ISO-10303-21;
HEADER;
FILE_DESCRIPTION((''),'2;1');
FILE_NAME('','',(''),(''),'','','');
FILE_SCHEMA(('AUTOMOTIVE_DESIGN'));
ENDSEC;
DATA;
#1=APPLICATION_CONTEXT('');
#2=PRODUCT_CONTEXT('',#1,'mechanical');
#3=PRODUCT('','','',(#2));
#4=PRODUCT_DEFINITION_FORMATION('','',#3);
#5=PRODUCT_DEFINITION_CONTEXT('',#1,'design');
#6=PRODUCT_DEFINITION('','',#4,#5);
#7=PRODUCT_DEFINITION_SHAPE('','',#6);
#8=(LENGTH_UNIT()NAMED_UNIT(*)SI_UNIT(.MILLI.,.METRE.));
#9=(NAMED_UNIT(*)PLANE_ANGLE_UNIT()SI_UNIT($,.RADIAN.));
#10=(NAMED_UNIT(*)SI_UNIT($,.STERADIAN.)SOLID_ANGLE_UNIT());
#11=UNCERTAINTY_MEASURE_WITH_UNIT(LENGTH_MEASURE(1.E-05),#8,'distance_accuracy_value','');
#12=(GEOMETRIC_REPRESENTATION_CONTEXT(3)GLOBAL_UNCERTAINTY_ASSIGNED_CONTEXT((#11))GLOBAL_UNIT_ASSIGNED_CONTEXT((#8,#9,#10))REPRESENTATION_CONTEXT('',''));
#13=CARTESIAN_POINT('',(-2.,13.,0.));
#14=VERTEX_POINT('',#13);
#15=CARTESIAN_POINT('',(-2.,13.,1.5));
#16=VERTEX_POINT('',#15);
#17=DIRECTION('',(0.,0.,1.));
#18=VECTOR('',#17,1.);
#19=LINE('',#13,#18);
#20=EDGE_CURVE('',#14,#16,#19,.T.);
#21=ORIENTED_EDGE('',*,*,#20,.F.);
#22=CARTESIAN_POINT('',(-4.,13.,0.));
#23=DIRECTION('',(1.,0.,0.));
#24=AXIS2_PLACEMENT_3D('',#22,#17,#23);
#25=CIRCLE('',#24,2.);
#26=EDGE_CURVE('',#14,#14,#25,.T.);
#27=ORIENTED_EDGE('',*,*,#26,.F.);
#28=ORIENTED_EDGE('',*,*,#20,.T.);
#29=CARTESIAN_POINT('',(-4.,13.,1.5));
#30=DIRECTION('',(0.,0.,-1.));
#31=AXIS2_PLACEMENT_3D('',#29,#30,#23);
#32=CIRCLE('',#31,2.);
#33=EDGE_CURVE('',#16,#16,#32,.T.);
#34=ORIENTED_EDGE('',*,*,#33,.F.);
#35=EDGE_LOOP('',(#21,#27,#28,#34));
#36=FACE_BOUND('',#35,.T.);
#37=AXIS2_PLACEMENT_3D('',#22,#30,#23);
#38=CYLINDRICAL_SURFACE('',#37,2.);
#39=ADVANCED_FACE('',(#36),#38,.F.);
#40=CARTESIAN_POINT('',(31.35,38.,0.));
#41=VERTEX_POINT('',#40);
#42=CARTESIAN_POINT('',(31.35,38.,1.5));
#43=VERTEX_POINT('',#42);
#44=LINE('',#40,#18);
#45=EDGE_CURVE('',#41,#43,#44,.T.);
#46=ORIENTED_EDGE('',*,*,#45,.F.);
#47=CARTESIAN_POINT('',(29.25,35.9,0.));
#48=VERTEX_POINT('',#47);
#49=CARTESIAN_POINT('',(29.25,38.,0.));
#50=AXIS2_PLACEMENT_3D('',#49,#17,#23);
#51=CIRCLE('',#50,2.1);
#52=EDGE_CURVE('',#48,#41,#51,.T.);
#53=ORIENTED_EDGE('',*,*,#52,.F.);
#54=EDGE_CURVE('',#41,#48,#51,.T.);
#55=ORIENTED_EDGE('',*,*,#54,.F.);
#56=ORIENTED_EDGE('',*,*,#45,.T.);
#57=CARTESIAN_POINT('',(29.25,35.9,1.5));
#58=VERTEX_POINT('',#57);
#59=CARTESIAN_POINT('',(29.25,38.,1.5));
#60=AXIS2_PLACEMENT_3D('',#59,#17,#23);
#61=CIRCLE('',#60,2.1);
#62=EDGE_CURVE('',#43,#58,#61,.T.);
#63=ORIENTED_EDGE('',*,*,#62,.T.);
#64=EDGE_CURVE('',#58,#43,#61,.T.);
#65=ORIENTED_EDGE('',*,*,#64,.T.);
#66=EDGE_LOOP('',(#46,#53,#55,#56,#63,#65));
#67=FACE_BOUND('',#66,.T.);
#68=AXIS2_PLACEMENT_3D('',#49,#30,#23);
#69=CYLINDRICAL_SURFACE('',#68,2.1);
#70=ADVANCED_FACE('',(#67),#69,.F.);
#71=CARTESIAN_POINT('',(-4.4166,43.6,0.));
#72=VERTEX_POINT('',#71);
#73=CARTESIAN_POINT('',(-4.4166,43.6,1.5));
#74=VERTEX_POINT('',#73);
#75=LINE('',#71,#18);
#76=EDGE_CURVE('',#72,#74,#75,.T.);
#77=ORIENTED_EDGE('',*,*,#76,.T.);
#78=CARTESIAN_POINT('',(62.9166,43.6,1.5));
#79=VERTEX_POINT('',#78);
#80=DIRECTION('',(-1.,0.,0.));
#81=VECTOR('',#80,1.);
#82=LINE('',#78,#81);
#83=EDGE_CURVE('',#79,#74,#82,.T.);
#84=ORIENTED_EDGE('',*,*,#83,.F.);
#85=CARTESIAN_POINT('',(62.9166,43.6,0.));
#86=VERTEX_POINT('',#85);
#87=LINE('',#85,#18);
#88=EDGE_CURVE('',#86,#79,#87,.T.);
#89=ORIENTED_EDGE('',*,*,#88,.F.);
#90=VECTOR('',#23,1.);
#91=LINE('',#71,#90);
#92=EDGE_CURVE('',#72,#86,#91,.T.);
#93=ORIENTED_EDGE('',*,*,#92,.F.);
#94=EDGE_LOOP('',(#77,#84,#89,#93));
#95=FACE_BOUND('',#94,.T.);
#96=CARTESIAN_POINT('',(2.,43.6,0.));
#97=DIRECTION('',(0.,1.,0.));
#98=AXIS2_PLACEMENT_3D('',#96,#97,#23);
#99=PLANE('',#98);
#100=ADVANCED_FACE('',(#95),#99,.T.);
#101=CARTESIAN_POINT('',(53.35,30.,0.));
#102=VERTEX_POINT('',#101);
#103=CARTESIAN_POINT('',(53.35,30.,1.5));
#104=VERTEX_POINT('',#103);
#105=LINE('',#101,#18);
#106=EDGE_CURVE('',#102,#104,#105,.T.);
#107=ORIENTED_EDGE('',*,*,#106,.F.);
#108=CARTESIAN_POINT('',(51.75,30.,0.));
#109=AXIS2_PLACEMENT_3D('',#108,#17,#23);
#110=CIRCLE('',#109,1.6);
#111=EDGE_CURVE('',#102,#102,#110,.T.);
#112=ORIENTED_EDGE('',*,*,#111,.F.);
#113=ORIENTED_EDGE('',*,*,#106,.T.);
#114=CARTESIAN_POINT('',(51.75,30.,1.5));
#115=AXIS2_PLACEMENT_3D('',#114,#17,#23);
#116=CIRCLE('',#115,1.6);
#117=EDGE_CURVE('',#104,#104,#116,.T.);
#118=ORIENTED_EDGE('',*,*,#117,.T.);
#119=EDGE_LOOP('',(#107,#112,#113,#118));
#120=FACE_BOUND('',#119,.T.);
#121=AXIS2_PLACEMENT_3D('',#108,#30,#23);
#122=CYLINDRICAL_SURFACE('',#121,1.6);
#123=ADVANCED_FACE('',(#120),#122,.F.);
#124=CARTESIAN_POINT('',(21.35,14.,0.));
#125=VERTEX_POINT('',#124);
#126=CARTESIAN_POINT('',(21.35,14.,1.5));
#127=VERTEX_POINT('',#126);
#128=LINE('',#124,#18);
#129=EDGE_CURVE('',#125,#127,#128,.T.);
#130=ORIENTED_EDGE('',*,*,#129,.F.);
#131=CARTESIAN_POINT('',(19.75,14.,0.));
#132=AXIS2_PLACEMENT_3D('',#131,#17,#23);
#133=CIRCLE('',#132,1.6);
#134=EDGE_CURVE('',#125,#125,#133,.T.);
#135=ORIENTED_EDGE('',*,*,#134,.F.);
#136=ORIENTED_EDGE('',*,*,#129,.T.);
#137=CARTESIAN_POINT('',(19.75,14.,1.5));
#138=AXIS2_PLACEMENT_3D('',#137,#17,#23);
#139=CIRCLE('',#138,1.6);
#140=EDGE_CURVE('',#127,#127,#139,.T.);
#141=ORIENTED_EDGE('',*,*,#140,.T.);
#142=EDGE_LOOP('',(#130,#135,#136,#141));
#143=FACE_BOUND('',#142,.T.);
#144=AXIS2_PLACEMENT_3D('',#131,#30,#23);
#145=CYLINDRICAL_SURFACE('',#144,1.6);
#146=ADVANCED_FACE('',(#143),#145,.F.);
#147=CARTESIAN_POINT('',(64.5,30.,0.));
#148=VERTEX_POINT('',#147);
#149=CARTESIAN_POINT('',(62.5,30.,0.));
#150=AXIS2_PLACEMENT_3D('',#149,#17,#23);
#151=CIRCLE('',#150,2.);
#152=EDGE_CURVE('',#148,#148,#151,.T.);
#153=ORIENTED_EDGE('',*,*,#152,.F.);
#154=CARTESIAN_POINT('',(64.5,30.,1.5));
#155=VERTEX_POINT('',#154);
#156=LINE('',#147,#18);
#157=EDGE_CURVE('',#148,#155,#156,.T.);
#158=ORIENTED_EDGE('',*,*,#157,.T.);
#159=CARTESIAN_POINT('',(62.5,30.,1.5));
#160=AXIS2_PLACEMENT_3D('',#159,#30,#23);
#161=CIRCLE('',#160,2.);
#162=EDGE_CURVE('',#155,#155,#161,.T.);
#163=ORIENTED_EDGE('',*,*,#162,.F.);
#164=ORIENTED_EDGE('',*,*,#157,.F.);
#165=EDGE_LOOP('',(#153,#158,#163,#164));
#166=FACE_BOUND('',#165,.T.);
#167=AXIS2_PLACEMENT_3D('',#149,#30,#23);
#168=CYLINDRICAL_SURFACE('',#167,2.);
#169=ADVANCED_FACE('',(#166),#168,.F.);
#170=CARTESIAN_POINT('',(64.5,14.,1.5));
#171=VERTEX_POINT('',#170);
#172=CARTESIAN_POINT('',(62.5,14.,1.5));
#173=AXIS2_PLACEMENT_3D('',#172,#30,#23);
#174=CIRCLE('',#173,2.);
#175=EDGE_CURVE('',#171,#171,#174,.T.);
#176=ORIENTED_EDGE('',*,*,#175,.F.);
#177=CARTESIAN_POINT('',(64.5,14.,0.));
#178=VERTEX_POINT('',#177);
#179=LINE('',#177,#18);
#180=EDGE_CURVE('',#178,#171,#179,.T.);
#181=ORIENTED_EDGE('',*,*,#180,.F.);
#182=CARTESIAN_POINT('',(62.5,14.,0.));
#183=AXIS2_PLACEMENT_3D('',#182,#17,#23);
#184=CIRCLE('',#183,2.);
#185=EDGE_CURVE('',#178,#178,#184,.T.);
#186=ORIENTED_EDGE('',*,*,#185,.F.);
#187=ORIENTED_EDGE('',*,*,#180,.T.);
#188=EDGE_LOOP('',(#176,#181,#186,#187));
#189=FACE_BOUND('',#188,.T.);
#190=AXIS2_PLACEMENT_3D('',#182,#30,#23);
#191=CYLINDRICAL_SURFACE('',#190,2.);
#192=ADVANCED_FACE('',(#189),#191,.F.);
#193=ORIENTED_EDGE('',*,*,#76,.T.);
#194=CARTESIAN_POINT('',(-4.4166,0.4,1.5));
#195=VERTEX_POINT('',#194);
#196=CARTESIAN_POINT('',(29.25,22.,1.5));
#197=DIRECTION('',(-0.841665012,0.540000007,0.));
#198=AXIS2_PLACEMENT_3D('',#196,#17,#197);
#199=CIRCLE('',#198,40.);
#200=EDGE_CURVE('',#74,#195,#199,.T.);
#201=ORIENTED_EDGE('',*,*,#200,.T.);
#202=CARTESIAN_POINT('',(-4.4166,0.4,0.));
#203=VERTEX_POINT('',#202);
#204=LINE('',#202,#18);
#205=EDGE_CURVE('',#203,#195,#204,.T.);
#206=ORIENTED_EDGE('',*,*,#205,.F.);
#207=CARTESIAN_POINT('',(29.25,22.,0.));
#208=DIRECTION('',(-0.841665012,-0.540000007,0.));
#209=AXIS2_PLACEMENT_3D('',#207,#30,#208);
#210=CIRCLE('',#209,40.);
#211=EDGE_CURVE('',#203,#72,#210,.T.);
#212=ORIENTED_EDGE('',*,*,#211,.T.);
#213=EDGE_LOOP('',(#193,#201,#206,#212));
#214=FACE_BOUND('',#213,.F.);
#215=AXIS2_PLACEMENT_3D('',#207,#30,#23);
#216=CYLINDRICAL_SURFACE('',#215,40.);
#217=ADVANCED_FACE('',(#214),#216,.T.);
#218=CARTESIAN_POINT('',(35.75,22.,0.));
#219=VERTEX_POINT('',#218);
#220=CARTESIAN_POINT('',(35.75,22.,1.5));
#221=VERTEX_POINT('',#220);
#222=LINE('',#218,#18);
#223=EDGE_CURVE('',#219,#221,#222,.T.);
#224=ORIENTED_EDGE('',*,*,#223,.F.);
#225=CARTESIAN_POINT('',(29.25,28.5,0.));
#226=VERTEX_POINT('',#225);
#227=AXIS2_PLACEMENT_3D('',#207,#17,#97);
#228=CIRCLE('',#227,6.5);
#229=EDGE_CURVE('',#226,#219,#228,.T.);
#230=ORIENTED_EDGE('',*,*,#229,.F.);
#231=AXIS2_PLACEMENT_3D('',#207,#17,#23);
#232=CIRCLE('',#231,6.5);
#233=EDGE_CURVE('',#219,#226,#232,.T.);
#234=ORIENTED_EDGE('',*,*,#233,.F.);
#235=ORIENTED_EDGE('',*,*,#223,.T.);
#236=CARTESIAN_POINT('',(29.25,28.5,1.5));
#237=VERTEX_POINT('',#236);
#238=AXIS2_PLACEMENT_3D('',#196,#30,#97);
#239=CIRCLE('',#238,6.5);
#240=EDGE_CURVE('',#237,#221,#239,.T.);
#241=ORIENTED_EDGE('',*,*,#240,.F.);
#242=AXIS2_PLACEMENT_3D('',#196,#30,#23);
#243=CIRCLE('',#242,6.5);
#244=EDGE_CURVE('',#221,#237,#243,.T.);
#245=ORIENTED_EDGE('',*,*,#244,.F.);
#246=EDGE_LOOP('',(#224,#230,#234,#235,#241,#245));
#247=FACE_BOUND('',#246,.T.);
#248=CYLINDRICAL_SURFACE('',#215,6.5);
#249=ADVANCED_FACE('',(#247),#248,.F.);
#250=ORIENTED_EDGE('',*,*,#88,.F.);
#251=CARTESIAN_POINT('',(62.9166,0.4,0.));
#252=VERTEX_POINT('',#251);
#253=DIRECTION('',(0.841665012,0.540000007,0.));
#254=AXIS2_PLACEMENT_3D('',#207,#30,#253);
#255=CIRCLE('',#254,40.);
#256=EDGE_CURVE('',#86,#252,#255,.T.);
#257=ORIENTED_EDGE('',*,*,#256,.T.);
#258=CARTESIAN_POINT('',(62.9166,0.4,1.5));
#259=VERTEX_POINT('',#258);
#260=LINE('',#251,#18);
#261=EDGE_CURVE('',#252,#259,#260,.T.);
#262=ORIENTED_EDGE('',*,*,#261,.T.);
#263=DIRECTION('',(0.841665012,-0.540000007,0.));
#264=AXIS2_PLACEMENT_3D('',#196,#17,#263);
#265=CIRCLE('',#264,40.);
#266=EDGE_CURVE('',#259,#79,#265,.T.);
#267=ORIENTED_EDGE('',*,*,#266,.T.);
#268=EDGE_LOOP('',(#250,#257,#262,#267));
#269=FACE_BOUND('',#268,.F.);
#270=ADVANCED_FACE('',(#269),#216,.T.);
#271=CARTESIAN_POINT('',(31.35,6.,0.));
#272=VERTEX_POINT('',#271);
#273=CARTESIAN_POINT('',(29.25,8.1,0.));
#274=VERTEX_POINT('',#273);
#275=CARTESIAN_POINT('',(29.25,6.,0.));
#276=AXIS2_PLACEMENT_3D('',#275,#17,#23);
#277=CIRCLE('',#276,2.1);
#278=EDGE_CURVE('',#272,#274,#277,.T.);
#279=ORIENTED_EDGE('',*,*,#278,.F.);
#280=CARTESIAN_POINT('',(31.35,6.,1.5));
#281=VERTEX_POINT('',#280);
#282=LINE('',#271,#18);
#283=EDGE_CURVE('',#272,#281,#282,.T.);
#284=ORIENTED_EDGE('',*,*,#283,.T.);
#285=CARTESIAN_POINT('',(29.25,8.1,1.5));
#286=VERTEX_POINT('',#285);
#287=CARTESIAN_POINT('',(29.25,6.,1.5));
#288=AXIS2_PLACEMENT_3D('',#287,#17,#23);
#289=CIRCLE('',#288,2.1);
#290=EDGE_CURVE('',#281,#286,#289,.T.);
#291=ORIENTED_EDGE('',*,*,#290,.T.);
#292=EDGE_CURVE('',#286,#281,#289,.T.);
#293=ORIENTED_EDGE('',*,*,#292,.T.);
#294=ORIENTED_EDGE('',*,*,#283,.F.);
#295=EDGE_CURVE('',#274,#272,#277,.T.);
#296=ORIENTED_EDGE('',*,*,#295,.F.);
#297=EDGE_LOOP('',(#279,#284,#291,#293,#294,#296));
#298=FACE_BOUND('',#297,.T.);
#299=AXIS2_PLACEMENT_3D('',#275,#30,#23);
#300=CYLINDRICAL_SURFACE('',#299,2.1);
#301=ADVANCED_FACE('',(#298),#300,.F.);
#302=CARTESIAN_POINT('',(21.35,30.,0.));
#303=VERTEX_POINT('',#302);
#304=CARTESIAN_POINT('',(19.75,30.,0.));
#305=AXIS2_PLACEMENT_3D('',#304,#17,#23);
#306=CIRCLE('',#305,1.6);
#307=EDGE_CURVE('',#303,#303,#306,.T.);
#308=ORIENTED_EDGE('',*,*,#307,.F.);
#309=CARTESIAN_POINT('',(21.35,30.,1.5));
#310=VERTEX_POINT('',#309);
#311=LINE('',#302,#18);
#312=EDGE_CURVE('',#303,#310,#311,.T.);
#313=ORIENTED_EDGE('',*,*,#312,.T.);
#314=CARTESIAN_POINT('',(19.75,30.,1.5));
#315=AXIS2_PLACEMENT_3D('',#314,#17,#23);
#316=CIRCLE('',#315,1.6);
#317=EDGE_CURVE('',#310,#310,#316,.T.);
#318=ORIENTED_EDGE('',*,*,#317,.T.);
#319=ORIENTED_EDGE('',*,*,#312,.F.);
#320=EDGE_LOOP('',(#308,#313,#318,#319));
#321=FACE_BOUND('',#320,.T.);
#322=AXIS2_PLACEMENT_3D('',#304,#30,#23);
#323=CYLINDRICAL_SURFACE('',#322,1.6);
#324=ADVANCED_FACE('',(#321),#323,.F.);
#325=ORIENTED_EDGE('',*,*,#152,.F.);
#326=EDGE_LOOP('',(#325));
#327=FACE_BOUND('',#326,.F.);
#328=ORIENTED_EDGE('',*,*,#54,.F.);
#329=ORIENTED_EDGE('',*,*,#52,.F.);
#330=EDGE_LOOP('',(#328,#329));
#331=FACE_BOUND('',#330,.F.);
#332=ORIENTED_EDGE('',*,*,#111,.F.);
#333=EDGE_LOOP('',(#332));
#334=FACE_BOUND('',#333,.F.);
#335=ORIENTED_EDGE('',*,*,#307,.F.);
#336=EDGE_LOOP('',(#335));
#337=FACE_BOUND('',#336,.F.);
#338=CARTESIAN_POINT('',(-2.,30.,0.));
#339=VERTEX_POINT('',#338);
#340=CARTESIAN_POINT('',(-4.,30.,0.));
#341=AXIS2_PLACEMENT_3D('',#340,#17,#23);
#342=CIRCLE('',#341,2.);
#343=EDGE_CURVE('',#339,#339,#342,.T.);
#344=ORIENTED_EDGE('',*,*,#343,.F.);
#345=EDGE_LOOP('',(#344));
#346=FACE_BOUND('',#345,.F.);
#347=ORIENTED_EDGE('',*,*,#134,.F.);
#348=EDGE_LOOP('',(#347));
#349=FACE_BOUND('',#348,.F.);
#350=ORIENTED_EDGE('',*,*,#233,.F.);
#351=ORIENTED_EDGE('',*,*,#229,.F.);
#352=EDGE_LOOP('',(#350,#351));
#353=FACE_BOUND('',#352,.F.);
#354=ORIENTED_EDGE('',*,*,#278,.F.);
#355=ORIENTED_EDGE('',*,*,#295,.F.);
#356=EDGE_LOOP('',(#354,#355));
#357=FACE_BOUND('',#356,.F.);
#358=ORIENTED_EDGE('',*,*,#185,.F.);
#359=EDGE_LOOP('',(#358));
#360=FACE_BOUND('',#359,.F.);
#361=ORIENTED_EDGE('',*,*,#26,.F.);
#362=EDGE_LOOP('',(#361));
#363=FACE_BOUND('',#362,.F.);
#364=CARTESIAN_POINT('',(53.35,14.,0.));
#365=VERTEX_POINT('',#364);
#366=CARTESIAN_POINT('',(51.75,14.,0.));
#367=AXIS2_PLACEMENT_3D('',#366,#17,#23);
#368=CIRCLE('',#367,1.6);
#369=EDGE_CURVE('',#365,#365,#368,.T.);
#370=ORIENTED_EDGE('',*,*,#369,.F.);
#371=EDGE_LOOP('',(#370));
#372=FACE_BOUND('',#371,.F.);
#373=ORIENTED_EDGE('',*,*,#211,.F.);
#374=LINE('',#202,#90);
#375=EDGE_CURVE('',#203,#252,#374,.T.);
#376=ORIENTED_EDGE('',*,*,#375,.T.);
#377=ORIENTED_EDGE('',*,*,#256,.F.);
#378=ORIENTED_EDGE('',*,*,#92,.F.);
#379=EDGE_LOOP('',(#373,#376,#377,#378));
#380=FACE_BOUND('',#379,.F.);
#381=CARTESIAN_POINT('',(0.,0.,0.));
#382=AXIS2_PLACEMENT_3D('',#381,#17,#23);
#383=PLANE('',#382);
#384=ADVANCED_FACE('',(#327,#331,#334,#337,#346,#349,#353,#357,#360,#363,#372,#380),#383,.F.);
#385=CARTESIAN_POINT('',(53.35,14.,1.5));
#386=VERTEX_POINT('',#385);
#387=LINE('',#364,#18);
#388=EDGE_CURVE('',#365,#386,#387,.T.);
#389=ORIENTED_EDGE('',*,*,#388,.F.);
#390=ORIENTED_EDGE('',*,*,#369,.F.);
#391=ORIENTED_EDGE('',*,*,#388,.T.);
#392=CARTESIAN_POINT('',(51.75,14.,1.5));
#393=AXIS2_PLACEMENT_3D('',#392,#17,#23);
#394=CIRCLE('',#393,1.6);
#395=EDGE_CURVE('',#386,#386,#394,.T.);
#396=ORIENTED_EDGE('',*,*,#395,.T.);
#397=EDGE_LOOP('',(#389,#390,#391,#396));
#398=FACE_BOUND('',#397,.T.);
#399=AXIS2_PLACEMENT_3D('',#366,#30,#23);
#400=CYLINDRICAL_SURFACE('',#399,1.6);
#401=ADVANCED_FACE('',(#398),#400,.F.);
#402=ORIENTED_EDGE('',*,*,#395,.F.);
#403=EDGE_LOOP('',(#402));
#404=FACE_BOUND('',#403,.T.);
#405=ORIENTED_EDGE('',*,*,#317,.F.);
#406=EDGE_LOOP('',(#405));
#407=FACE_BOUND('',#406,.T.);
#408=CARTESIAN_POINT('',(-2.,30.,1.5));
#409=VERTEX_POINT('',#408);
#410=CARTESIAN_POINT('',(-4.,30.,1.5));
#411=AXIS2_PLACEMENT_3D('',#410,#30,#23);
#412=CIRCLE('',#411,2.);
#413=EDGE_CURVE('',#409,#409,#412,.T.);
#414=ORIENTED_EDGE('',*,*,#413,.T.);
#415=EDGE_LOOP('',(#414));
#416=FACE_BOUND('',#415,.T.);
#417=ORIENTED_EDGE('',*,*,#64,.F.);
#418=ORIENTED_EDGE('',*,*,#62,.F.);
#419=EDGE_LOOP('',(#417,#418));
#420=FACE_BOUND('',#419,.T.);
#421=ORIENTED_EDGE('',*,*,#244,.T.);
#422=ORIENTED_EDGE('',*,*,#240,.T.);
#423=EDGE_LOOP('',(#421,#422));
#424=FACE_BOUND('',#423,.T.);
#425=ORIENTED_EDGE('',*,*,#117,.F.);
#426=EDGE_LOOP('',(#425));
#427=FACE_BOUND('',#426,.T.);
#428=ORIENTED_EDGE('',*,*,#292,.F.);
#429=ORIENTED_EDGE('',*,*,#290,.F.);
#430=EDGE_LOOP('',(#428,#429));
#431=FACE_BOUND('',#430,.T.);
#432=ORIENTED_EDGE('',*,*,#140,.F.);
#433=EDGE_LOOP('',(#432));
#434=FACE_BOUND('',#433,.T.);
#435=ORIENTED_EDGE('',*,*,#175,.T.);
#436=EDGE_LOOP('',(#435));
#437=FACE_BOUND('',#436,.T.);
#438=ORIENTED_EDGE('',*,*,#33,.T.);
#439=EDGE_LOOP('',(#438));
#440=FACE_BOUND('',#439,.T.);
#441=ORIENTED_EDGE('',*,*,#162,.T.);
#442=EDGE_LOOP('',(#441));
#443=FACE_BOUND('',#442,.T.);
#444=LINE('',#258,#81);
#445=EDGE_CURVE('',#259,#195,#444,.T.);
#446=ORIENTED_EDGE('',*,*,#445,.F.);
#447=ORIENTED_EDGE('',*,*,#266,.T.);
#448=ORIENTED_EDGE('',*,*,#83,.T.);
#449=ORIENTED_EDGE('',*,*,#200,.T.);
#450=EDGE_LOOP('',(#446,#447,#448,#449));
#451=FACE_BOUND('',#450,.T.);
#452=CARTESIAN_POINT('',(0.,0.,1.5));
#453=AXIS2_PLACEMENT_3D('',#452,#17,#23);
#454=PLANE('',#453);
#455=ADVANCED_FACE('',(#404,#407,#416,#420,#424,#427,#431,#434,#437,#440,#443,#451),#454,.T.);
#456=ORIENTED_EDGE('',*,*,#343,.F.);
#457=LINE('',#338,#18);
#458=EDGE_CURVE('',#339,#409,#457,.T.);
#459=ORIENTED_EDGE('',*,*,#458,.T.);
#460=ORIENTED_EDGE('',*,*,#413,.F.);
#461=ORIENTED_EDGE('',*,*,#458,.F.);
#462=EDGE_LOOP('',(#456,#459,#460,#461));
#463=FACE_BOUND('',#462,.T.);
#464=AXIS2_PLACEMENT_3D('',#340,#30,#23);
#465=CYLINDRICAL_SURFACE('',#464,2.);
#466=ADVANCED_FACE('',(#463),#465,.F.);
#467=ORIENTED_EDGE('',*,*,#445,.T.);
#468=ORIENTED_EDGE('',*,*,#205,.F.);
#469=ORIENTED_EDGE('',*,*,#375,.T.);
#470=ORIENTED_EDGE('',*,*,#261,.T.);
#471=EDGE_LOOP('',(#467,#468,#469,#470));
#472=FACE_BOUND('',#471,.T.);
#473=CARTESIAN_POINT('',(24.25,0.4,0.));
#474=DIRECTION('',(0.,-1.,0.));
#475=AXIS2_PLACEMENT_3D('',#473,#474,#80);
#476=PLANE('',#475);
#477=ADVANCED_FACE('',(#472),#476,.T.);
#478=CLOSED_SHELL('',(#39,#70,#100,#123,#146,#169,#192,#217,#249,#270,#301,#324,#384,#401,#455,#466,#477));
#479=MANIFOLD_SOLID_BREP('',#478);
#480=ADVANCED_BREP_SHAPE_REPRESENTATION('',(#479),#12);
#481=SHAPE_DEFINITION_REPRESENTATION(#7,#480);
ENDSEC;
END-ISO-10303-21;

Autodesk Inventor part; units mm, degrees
ref_plane "YZ Plane" through (0, 0, 0) normal (1, 0, 0) x (0, 1, 0)
ref_plane "XZ Plane" through (0, 0, 0) normal (0, 1, 0) x (-1, 0, 0)
ref_plane "XY Plane" through (0, 0, 0) normal (0, 0, 1) x (1, 0, 0)
sketch "スケッチ1" plane through (0, 0, 0) normal (0, 0, 1) x (1, 0, 0)
  line L0 (24.05, 13.6) -> (24.05, 0.4) projected
  line L1 (24.05, 13.6) -> (37.25, 13.6) projected
  line L2 (37.25, 13.6) -> (37.25, 0.4) projected
  line L3 (56.5, 0.4) -> (37.25, 0.4) projected
  line L4 (56.5, 43.6) -> (56.5, 0.4) projected
  line L5 (2, 43.6) -> (56.5, 43.6) projected
  line L6 (2, 43.6) -> (2, 0.4) projected
  line L7 (24.05, 0.4) -> (2, 0.4) projected
  circle A0 centre (19.75, 30) radius 1.35 projected
  circle A1 centre (51.75, 14) radius 1.35 projected
  circle A2 centre (51.75, 30) radius 1.35 projected
  circle A3 centre (19.75, 14) radius 1.35 projected
  line L8 (2, 43.6) -> (56.5, 43.6)
  line L9 (56.5, 43.6) -> (56.5, 0.4)
  line L10 (56.5, 0.4) -> (2, 0.4)
  line L11 (2, 0.4) -> (2, 43.6)
  circle A4 centre (19.75, 14) radius 1.6
  circle A5 centre (19.75, 30) radius 1.6
  circle A6 centre (51.75, 30) radius 1.6
  circle A7 centre (51.75, 14) radius 1.6
  line L12 (-3.8486, -27.4677) -> (-13.8486, -27.4561) projected
  line L13 (34.25, -27.4677) -> (34.25, 112.5)
  line L14 (24.25, -27.4561) -> (24.25, 112.5)
  line L15 (24.25, 22) -> (34.25, 22)
  circle A8 centre (29.25, 22) radius 6.5
  circle A9 centre (29.25, 22) radius 40
  line L16 (2, 22) -> (-10.75, 22)
  line L17 (56.5, 22) -> (69.25, 22)
  line L18 (2, 22) -> (-4, 22)
  line L19 (-4, 22) -> (-4, 13)
  line L20 (-4, 13) -> (2, 13)
  line L21 (2, 13) -> (2, 22)
  line L22 (2, 22) -> (-4, 22)
  line L23 (-4, 22) -> (-4, 30)
  line L24 (-4, 30) -> (2, 30)
  line L25 (2, 30) -> (2, 22)
  line L26 (56.5, 22) -> (62.5, 22)
  line L27 (62.5, 22) -> (62.5, 14)
  line L28 (62.5, 14) -> (56.5, 14)
  line L29 (56.5, 14) -> (56.5, 22)
  line L30 (56.5, 22) -> (62.5, 22)
  line L31 (62.5, 22) -> (62.5, 30)
  line L32 (62.5, 30) -> (56.5, 30)
  line L33 (56.5, 30) -> (56.5, 22)
  circle A10 centre (-4, 13) radius 2
  circle A11 centre (-4, 30) radius 2
  circle A12 centre (62.5, 30) radius 2
  circle A13 centre (62.5, 14) radius 2
  line L34 (2, 43.6) -> (-4.4166, 43.6)
  line L35 (56.5, 43.6) -> (62.9166, 43.6)
  line L36 (2, 0.4) -> (-4.4166, 0.4)
  line L37 (56.5, 0.4) -> (62.9166, 0.4)
  line L38 (29.25, 22) -> (29.25, 38)
  line L39 (29.25, 22) -> (45.25, 22) construction
  line L40 (29.25, 22) -> (29.25, 6)
  line L41 (29.25, 22) -> (45.25, 22) construction
  circle A14 centre (29.25, 38) radius 2.1
  circle A15 centre (29.25, 6) radius 2.1
  point P0 (0, 0)
  point P1 (34.25, 112.5)
  point P2 (24.25, 112.5)
  point P3 (63.0326, 0.5819)
  point P4 (61.25, 46)
  point P5 (24.3716, 20.9038)
  point P6 (24.3687, 23.0832)
  point P7 (25.6996, 25.5206)
  point P8 (25.082, 19.2381)
  dimension "d7" = 80
  dimension "d0" = 3.2
  dimension "d1" = 3.2
  dimension "d2" = 3.2
  dimension "d3" = 3.2
  dimension "d6" = 13
  dimension "d8" = 6
  dimension "d9" = 9
  dimension "d10" = 6
  dimension "d11" = 4
  dimension "d12" = 4
  dimension "d13" = 4
  dimension "d14" = 4
  dimension "d15" = 16
  dimension "d16" = 90
  dimension "d17" = 16
  dimension "d18" = 90
  dimension "d19" = 4.2
  dimension "d20" = 4.2
extrude "押し出し1" add sketch "スケッチ1" along normal blind 1.5 contours L1 L14 L10 L0 | L0 L7 L6 L5 L14 A8 L1 | L14 A8 L40 L1 | L1 L13 L10 L14 | L36 A9 L16 L19 A10 L20 L6 | L40 A8 L13 L1 | L20 A10 L19 L16 L6 | L13 L1 L2 L10 | L13 A8 L5 L4 L3 L2 L1 | L14 L5 L13 A8 | L16 L23 A11 L24 L6 | A9 L34 L6 L24 A11 L23 L16 | L4 L28 A13 L27 L17 A9 L37 | L4 L17 L27 A13 L28 | L17 L31 A12 L32 L4 L35 A9 | L4 L32 A12 L31 L17
sketch "スケッチ2" plane through (0, 0, 1.5) normal (0, 0, 1) x (1, 0, 0)
  point P0 (0, 0)
properties part number "ダイナミクセル側面取り付け"
